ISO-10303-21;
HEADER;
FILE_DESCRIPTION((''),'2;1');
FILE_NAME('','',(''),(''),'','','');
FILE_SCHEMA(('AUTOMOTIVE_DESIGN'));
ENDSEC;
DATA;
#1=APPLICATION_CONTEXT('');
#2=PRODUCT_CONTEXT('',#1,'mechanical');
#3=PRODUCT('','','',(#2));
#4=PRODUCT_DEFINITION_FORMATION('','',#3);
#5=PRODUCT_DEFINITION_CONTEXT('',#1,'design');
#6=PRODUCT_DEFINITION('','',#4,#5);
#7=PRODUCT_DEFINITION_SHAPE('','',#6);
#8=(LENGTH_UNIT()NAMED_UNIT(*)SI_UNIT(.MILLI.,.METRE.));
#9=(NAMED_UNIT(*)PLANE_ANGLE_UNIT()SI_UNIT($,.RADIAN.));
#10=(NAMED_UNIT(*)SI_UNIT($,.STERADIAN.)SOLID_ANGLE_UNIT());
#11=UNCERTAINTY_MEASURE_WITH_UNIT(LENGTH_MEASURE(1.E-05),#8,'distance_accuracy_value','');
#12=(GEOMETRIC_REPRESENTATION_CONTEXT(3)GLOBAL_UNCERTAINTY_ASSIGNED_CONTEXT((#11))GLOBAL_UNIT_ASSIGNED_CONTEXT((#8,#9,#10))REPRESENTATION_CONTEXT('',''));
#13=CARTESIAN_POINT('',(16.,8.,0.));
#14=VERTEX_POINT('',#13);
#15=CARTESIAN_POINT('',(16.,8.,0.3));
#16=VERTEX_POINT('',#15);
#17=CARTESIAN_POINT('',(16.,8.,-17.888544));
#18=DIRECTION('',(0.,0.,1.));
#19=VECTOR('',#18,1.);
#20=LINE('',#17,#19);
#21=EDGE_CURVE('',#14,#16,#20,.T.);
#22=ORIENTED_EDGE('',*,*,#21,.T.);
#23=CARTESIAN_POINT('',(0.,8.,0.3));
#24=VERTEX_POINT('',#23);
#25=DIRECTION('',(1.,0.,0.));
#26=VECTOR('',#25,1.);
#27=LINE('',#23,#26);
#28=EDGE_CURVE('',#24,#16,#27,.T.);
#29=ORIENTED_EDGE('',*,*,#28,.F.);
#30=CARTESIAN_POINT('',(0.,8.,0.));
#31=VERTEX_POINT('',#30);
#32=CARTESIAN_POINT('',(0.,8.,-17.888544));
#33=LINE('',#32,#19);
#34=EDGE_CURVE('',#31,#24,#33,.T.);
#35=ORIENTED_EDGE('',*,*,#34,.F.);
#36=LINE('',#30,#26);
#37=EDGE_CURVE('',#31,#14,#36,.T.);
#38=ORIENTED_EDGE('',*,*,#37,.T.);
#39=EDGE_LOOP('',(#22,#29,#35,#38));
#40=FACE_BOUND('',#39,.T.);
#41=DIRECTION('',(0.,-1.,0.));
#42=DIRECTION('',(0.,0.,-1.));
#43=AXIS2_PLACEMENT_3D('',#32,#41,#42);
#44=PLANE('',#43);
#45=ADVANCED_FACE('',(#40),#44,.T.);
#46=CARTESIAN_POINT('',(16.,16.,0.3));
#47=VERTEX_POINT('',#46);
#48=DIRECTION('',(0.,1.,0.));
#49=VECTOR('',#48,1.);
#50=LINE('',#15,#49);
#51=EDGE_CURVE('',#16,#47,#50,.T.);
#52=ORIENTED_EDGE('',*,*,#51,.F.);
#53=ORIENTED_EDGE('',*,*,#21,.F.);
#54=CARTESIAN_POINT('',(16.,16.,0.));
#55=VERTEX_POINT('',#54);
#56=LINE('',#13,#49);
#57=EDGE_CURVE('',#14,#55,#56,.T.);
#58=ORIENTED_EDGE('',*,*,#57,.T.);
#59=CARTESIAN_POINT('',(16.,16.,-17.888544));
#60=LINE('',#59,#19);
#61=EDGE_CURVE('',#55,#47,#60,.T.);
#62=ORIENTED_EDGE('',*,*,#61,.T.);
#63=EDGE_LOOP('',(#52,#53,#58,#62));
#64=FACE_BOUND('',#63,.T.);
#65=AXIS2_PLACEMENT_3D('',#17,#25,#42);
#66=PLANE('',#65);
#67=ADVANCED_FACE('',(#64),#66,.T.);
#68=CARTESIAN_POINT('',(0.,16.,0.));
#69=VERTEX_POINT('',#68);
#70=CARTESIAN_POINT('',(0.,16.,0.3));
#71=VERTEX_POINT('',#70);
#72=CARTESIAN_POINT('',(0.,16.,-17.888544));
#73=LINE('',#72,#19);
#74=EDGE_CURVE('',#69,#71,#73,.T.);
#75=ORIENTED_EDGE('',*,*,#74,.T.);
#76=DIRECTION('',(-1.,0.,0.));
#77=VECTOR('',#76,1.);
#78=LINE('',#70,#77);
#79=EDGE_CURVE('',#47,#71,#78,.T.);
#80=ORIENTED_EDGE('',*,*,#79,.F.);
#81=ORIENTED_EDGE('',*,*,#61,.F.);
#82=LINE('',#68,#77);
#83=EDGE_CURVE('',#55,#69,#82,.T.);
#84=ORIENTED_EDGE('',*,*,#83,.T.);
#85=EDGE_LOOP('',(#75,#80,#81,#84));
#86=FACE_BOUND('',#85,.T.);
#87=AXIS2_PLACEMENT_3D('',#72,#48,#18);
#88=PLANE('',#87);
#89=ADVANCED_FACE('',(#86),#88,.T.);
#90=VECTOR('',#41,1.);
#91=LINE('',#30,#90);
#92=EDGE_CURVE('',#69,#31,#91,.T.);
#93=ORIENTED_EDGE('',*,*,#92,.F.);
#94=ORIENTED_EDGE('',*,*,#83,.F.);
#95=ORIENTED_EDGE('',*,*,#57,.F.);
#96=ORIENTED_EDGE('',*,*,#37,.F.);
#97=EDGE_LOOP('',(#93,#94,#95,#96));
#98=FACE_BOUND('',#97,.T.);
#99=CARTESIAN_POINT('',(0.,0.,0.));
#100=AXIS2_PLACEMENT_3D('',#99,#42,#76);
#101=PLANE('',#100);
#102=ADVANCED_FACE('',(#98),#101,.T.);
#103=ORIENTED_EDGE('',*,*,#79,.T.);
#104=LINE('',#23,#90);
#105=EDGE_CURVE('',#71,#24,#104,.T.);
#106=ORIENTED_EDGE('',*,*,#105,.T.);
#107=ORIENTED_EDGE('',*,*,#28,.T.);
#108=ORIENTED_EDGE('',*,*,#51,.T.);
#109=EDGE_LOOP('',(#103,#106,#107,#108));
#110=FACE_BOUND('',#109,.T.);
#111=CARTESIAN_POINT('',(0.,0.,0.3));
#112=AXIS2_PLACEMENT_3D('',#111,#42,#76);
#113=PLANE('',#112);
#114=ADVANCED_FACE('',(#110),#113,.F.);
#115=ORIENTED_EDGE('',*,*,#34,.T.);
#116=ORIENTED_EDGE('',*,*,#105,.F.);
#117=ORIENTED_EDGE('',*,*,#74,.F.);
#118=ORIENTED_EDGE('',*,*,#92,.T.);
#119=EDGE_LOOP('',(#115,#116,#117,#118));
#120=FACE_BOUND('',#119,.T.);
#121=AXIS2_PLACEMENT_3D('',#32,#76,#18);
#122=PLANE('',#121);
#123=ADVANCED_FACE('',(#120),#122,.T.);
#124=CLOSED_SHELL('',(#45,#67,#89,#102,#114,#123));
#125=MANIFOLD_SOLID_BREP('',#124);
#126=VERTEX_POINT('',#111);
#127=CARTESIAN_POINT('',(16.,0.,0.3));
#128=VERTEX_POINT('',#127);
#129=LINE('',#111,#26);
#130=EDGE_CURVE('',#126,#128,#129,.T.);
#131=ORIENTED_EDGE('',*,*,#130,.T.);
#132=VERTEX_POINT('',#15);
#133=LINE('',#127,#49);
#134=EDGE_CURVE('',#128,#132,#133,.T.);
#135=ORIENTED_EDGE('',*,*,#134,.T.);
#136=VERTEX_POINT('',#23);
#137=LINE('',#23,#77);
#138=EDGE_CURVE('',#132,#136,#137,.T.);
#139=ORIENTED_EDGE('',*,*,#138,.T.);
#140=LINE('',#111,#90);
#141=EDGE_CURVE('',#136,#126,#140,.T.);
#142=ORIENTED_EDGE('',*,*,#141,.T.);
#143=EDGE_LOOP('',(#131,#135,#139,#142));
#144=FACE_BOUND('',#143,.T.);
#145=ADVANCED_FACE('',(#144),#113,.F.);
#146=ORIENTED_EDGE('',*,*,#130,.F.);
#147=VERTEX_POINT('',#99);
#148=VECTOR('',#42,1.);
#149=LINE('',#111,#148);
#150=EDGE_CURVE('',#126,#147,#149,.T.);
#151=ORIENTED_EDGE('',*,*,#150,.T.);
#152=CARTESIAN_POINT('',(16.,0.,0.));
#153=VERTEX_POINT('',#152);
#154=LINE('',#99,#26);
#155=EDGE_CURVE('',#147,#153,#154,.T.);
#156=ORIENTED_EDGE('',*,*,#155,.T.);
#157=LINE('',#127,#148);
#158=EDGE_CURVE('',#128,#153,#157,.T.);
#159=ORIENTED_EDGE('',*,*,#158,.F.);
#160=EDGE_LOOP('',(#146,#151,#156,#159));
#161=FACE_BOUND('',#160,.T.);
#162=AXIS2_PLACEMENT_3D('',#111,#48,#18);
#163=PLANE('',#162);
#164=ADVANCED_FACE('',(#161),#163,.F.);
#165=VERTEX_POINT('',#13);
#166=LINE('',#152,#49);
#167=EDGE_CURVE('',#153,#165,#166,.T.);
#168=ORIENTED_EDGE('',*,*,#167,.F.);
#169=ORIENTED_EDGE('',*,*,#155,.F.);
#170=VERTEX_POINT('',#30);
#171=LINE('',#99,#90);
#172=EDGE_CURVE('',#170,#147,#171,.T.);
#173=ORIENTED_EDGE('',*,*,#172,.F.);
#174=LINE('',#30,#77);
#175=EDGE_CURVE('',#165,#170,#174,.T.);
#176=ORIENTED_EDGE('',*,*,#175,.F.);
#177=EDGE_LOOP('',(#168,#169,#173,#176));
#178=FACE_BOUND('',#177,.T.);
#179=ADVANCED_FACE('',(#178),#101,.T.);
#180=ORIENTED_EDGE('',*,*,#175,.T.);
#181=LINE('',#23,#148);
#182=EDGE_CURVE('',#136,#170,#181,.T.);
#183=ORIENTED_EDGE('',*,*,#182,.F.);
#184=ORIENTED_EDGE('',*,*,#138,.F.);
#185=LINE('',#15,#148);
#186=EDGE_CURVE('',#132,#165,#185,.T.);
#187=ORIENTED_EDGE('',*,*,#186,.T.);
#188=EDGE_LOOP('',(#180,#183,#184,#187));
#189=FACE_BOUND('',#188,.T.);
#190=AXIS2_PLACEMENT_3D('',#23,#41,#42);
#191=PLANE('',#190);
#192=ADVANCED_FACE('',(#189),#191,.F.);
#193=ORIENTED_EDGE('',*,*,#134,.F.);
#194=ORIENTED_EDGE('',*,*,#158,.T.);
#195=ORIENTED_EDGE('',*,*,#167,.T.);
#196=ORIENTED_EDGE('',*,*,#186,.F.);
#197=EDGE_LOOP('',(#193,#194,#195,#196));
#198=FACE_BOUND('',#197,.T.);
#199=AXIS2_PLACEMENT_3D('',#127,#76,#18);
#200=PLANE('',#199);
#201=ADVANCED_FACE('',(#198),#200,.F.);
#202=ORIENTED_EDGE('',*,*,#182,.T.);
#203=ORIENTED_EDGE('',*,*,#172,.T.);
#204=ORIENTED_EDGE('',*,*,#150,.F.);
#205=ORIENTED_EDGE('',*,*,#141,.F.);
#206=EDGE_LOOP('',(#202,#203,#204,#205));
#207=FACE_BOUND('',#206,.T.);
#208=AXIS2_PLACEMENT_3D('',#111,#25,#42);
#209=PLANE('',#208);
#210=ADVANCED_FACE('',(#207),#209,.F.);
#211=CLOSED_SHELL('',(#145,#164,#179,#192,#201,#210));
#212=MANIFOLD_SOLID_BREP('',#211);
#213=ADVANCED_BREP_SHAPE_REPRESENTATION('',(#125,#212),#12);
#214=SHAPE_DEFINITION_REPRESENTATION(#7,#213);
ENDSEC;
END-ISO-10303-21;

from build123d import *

# Parameters (mm, degrees)
CROQUIS1_W              = 16
CROQUIS1_H              = 8
SALIENTE_EXTRUIR1_DEPTH = 0.3
CROQUIS2_W              = 16
CROQUIS2_H              = 8
SALIENTE_EXTRUIR2_DEPTH = 0.3


with BuildPart() as part:
    # Croquis1 → Saliente-Extruir1 (new body)
    with BuildSketch(Plane.XY):
        with Locations((8, 4)):
            Rectangle(CROQUIS1_W, CROQUIS1_H)
    extrude(amount=SALIENTE_EXTRUIR1_DEPTH)


with BuildPart() as body_2:
    # Croquis2 → Saliente-Extruir2 (new body)
    with BuildSketch(Plane.XY.offset(0.3)):
        with Locations((8, 12)):
            Rectangle(CROQUIS2_W, CROQUIS2_H)
    extrude(amount=-SALIENTE_EXTRUIR2_DEPTH)


solid = Compound([part.part, body_2.part])
